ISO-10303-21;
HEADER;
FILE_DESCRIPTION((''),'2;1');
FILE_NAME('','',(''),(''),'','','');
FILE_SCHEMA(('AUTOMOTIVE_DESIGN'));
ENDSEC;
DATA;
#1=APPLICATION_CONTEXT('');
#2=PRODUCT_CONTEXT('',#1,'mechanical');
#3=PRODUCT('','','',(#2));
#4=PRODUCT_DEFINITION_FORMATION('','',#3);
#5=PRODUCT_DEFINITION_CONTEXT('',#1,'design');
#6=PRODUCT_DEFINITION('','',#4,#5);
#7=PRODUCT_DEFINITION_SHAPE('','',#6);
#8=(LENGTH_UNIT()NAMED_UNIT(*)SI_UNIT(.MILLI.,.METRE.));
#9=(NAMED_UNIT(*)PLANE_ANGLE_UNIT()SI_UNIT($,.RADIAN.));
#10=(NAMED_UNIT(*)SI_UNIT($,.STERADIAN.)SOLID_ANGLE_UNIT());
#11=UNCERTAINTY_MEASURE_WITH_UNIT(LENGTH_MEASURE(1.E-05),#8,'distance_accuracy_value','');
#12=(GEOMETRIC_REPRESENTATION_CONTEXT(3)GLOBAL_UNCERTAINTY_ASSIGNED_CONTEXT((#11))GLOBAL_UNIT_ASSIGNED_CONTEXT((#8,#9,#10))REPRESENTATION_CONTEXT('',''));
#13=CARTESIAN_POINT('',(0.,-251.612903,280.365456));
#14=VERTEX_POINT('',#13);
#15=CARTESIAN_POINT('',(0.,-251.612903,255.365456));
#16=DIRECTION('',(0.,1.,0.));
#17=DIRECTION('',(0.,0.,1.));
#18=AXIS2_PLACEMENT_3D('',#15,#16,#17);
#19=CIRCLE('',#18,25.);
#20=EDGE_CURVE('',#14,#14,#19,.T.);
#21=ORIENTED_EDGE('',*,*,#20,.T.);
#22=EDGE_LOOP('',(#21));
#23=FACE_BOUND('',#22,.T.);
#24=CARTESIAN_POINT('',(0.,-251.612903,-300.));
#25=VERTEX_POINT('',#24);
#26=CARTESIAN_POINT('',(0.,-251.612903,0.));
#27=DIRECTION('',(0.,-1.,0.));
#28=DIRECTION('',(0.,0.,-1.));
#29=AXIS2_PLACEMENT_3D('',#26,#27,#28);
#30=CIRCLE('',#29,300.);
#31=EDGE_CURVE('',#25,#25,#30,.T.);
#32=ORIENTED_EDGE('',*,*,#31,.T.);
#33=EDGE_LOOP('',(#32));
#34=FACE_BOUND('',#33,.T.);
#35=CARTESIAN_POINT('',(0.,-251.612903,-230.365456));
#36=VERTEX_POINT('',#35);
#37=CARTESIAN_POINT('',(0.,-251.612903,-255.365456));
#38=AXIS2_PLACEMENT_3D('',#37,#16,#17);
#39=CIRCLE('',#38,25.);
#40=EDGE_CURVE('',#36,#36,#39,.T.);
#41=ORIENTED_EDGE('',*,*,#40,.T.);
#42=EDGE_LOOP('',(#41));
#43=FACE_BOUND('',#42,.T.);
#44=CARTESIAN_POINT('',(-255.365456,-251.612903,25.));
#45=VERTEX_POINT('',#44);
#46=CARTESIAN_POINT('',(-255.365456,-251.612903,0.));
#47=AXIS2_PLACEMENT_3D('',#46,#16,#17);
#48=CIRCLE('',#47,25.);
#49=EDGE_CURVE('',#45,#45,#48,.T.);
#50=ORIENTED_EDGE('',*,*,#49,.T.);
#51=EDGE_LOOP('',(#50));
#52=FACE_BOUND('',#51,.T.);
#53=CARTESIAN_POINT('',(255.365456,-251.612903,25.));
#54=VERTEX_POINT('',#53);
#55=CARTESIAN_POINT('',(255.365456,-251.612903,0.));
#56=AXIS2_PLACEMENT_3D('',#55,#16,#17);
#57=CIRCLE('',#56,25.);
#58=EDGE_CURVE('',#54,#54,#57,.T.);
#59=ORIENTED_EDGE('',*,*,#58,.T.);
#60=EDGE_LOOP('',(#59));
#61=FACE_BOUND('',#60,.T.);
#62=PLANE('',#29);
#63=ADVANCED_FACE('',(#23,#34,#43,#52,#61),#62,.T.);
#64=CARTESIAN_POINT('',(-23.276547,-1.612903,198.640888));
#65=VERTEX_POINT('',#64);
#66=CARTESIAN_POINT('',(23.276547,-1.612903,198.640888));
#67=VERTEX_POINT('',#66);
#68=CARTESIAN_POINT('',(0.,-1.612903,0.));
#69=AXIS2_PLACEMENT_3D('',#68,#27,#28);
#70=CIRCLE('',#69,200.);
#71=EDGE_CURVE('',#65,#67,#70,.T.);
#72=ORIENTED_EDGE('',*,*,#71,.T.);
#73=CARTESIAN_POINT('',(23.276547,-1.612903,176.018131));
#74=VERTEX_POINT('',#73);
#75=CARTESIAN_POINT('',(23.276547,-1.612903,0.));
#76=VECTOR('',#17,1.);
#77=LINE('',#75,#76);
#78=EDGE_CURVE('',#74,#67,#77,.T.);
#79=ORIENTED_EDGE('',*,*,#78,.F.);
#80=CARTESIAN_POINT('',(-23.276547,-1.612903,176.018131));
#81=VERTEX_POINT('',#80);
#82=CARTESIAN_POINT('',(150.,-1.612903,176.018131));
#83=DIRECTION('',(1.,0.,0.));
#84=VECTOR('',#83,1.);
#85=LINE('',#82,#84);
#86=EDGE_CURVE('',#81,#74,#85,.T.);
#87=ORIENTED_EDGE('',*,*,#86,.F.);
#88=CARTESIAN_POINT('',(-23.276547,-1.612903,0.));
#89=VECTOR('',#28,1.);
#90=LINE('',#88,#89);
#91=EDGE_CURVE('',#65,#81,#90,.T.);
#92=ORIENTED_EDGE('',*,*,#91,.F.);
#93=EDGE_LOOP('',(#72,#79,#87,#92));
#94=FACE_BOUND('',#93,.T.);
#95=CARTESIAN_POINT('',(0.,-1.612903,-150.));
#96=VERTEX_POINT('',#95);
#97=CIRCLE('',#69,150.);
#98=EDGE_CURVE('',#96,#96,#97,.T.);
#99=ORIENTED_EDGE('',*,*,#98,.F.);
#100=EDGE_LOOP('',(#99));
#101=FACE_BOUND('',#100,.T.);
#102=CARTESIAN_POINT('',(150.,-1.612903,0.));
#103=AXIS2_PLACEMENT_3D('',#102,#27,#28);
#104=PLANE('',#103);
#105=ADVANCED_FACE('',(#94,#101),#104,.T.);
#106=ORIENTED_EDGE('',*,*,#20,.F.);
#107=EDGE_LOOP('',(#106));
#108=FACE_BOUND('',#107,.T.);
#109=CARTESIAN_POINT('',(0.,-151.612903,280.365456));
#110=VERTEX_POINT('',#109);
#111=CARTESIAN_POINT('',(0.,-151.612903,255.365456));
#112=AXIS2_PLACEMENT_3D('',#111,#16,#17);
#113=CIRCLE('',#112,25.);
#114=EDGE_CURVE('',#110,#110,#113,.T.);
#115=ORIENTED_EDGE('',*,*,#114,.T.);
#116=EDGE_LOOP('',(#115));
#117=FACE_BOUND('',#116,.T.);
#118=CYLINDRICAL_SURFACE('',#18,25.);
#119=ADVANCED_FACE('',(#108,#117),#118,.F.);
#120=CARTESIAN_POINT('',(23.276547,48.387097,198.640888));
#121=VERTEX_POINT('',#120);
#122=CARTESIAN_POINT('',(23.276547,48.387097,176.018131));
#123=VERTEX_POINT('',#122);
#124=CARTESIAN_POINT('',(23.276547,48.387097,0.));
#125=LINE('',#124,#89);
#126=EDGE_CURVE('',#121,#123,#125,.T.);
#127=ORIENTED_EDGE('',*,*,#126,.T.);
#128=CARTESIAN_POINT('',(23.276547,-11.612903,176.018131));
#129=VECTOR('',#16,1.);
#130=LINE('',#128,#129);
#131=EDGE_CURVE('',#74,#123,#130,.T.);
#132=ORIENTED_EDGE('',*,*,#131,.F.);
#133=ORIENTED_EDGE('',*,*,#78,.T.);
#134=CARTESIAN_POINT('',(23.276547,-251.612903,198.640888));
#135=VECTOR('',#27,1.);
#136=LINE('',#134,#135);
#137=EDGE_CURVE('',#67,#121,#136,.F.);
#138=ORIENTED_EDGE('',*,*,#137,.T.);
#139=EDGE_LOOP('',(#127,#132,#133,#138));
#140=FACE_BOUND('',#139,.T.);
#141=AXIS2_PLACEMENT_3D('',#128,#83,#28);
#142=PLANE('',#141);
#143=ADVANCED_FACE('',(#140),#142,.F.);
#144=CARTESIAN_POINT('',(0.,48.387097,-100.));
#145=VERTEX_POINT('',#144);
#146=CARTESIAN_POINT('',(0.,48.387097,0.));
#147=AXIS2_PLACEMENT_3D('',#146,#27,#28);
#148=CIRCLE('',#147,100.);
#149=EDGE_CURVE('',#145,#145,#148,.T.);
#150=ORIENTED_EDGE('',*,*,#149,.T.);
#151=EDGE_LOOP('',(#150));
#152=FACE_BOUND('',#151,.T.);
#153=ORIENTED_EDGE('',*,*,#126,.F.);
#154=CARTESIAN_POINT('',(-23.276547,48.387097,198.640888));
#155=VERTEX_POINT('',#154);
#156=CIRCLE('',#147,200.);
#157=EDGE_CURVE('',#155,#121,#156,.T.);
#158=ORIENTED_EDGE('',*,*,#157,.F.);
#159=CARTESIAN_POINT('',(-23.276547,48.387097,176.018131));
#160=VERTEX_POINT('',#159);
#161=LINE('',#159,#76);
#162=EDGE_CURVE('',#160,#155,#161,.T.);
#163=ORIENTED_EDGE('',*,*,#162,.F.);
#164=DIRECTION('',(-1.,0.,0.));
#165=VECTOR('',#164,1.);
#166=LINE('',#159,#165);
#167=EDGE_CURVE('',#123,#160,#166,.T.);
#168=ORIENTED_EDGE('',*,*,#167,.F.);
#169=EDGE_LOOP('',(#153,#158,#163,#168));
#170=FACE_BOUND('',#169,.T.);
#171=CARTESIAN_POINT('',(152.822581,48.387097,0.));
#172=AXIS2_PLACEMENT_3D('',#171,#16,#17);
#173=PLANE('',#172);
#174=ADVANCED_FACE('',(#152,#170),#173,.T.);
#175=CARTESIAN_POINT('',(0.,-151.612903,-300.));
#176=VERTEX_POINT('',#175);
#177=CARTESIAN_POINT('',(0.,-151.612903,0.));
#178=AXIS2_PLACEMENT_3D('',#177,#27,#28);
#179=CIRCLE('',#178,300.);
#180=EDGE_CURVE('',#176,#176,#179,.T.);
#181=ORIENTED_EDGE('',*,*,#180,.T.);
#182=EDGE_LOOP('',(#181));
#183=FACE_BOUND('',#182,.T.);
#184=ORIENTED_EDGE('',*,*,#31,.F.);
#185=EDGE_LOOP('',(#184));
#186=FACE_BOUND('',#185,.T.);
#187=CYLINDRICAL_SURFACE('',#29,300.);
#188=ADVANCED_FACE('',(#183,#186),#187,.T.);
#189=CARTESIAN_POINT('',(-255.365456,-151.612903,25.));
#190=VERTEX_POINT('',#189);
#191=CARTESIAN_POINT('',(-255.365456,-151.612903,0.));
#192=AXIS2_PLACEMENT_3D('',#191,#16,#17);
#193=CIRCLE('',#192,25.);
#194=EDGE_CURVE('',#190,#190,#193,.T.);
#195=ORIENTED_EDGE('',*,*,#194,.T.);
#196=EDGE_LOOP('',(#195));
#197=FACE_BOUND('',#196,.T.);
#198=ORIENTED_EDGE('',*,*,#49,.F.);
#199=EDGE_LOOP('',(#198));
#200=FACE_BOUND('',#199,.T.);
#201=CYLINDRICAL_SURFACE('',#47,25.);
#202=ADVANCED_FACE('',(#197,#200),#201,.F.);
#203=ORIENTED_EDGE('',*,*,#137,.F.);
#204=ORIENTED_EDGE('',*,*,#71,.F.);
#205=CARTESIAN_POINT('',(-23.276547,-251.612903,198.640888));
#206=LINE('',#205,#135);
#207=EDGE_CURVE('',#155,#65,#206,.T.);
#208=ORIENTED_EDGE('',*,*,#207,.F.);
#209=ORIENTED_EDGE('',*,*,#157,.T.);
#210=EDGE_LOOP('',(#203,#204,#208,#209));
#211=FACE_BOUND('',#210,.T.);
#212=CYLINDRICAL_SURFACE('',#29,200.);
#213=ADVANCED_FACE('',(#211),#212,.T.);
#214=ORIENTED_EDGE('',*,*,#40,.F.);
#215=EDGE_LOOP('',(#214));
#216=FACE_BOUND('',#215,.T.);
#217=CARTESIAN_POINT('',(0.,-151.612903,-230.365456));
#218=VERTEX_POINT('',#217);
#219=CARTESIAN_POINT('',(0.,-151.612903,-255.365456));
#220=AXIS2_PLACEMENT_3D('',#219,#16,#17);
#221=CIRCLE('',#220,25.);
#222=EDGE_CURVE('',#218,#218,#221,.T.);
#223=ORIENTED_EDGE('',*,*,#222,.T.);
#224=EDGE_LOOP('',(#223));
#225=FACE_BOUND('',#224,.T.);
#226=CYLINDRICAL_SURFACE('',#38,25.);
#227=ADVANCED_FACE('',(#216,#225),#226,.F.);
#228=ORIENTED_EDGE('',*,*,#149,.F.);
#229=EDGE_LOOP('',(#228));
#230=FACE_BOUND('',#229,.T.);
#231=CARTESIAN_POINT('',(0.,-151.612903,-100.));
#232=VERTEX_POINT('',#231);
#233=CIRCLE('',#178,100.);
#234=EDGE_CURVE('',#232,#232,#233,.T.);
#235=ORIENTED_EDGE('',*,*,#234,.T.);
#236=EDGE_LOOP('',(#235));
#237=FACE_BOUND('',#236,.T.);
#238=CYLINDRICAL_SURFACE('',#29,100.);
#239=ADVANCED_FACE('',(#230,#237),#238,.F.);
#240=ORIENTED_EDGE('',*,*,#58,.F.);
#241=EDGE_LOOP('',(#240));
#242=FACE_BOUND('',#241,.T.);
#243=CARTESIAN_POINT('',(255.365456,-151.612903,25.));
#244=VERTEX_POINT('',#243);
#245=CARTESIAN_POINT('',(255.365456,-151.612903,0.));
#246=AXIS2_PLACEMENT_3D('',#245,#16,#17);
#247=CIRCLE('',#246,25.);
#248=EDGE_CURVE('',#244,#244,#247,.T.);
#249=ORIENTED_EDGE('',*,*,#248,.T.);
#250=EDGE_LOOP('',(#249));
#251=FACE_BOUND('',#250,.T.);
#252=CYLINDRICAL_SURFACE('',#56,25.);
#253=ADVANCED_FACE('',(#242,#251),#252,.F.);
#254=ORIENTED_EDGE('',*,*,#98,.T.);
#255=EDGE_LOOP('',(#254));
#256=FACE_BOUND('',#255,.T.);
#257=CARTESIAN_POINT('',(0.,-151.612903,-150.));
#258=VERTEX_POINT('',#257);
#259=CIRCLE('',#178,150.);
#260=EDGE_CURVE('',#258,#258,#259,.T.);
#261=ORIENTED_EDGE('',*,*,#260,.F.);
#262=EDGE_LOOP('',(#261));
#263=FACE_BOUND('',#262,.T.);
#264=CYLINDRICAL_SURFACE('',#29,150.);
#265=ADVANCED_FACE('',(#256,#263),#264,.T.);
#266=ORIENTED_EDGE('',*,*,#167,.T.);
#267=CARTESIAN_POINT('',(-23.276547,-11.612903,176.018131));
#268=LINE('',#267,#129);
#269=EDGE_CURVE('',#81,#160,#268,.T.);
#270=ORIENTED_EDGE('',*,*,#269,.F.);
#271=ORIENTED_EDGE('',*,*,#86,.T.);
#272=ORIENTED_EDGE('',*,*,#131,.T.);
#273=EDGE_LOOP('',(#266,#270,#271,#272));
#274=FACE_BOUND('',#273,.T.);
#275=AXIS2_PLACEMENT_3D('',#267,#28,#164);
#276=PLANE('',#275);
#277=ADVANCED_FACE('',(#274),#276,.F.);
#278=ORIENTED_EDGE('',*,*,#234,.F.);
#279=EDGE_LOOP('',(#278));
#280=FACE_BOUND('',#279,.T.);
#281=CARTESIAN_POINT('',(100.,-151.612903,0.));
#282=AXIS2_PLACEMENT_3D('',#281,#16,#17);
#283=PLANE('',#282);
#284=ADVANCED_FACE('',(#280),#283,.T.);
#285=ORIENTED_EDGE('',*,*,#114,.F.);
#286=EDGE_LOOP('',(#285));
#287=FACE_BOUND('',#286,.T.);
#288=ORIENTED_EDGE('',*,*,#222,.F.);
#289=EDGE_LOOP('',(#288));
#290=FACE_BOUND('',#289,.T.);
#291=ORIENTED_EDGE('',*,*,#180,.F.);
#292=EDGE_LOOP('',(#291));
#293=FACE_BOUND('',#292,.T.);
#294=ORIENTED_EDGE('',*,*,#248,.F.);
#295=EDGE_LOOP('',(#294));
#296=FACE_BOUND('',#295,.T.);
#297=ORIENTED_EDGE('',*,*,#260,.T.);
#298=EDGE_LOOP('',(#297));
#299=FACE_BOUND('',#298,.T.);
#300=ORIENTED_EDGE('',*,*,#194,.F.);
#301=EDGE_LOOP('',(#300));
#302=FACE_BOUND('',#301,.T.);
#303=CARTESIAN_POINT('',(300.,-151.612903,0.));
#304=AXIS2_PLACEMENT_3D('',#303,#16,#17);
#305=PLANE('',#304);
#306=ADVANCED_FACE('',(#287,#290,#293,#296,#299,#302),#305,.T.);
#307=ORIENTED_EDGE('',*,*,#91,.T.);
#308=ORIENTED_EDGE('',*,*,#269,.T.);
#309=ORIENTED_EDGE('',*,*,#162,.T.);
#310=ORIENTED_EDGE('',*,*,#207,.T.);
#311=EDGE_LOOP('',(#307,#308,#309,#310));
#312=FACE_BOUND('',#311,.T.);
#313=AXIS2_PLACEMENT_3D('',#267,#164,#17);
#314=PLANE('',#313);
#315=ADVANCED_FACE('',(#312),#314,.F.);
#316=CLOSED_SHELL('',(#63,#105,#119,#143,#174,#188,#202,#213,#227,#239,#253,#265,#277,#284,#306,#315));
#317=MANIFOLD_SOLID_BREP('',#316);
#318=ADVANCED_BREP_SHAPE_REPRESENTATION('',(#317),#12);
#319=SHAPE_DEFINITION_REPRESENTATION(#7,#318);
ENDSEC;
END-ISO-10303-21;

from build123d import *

# Parameters (mm, degrees)
SKETCH5_R          = 25
CUT_EXTRUDE2_DEPTH = 100
SKETCH6_W          = 46.553094274
SKETCH6_H          = 47.963737356
CUT_EXTRUDE3_DEPTH = 60


with BuildPart() as part:
    # Sketch4 → Revolve2 (revolve)
    with BuildSketch(Plane.XY):
        Polygon((0, -251.612903226), (0, -151.612903226), (100, -151.612903226), (100, 48.387096774), (152.822580645, 48.387096774), (200, 48.387096774), (200, -1.612903226), (150, -1.612903226), (150, -151.612903226), (300, -151.612903226), (300, -251.612903226), align=None)
    revolve(axis=Axis((0, -251.612903226, 0), (0, 1, 0)))

    # Sketch5 → Cut-Extrude2 (cut)
    with BuildSketch(Plane(origin=(0, -151.612903226, 0), x_dir=(1, 0, 0), z_dir=(0, 1, 0))):
        with Locations((0, 255.365455535)):
            Circle(SKETCH5_R)
        with Locations((255.365455535, 0)):
            Circle(SKETCH5_R)
        with Locations((0, -255.365455535)):
            Circle(SKETCH5_R)
        with Locations((-255.365455535, 0)):
            Circle(SKETCH5_R)
    extrude(amount=-CUT_EXTRUDE2_DEPTH, mode=Mode.SUBTRACT)

    # Sketch6 → Cut-Extrude3 (cut)
    with BuildSketch(Plane(origin=(0, 48.387096774, 0), x_dir=(1, 0, 0), z_dir=(0, 1, 0))):
        with Locations((0, -200)):
            Rectangle(SKETCH6_W, SKETCH6_H)
    extrude(amount=-CUT_EXTRUDE3_DEPTH, mode=Mode.SUBTRACT)


solid = part.part
